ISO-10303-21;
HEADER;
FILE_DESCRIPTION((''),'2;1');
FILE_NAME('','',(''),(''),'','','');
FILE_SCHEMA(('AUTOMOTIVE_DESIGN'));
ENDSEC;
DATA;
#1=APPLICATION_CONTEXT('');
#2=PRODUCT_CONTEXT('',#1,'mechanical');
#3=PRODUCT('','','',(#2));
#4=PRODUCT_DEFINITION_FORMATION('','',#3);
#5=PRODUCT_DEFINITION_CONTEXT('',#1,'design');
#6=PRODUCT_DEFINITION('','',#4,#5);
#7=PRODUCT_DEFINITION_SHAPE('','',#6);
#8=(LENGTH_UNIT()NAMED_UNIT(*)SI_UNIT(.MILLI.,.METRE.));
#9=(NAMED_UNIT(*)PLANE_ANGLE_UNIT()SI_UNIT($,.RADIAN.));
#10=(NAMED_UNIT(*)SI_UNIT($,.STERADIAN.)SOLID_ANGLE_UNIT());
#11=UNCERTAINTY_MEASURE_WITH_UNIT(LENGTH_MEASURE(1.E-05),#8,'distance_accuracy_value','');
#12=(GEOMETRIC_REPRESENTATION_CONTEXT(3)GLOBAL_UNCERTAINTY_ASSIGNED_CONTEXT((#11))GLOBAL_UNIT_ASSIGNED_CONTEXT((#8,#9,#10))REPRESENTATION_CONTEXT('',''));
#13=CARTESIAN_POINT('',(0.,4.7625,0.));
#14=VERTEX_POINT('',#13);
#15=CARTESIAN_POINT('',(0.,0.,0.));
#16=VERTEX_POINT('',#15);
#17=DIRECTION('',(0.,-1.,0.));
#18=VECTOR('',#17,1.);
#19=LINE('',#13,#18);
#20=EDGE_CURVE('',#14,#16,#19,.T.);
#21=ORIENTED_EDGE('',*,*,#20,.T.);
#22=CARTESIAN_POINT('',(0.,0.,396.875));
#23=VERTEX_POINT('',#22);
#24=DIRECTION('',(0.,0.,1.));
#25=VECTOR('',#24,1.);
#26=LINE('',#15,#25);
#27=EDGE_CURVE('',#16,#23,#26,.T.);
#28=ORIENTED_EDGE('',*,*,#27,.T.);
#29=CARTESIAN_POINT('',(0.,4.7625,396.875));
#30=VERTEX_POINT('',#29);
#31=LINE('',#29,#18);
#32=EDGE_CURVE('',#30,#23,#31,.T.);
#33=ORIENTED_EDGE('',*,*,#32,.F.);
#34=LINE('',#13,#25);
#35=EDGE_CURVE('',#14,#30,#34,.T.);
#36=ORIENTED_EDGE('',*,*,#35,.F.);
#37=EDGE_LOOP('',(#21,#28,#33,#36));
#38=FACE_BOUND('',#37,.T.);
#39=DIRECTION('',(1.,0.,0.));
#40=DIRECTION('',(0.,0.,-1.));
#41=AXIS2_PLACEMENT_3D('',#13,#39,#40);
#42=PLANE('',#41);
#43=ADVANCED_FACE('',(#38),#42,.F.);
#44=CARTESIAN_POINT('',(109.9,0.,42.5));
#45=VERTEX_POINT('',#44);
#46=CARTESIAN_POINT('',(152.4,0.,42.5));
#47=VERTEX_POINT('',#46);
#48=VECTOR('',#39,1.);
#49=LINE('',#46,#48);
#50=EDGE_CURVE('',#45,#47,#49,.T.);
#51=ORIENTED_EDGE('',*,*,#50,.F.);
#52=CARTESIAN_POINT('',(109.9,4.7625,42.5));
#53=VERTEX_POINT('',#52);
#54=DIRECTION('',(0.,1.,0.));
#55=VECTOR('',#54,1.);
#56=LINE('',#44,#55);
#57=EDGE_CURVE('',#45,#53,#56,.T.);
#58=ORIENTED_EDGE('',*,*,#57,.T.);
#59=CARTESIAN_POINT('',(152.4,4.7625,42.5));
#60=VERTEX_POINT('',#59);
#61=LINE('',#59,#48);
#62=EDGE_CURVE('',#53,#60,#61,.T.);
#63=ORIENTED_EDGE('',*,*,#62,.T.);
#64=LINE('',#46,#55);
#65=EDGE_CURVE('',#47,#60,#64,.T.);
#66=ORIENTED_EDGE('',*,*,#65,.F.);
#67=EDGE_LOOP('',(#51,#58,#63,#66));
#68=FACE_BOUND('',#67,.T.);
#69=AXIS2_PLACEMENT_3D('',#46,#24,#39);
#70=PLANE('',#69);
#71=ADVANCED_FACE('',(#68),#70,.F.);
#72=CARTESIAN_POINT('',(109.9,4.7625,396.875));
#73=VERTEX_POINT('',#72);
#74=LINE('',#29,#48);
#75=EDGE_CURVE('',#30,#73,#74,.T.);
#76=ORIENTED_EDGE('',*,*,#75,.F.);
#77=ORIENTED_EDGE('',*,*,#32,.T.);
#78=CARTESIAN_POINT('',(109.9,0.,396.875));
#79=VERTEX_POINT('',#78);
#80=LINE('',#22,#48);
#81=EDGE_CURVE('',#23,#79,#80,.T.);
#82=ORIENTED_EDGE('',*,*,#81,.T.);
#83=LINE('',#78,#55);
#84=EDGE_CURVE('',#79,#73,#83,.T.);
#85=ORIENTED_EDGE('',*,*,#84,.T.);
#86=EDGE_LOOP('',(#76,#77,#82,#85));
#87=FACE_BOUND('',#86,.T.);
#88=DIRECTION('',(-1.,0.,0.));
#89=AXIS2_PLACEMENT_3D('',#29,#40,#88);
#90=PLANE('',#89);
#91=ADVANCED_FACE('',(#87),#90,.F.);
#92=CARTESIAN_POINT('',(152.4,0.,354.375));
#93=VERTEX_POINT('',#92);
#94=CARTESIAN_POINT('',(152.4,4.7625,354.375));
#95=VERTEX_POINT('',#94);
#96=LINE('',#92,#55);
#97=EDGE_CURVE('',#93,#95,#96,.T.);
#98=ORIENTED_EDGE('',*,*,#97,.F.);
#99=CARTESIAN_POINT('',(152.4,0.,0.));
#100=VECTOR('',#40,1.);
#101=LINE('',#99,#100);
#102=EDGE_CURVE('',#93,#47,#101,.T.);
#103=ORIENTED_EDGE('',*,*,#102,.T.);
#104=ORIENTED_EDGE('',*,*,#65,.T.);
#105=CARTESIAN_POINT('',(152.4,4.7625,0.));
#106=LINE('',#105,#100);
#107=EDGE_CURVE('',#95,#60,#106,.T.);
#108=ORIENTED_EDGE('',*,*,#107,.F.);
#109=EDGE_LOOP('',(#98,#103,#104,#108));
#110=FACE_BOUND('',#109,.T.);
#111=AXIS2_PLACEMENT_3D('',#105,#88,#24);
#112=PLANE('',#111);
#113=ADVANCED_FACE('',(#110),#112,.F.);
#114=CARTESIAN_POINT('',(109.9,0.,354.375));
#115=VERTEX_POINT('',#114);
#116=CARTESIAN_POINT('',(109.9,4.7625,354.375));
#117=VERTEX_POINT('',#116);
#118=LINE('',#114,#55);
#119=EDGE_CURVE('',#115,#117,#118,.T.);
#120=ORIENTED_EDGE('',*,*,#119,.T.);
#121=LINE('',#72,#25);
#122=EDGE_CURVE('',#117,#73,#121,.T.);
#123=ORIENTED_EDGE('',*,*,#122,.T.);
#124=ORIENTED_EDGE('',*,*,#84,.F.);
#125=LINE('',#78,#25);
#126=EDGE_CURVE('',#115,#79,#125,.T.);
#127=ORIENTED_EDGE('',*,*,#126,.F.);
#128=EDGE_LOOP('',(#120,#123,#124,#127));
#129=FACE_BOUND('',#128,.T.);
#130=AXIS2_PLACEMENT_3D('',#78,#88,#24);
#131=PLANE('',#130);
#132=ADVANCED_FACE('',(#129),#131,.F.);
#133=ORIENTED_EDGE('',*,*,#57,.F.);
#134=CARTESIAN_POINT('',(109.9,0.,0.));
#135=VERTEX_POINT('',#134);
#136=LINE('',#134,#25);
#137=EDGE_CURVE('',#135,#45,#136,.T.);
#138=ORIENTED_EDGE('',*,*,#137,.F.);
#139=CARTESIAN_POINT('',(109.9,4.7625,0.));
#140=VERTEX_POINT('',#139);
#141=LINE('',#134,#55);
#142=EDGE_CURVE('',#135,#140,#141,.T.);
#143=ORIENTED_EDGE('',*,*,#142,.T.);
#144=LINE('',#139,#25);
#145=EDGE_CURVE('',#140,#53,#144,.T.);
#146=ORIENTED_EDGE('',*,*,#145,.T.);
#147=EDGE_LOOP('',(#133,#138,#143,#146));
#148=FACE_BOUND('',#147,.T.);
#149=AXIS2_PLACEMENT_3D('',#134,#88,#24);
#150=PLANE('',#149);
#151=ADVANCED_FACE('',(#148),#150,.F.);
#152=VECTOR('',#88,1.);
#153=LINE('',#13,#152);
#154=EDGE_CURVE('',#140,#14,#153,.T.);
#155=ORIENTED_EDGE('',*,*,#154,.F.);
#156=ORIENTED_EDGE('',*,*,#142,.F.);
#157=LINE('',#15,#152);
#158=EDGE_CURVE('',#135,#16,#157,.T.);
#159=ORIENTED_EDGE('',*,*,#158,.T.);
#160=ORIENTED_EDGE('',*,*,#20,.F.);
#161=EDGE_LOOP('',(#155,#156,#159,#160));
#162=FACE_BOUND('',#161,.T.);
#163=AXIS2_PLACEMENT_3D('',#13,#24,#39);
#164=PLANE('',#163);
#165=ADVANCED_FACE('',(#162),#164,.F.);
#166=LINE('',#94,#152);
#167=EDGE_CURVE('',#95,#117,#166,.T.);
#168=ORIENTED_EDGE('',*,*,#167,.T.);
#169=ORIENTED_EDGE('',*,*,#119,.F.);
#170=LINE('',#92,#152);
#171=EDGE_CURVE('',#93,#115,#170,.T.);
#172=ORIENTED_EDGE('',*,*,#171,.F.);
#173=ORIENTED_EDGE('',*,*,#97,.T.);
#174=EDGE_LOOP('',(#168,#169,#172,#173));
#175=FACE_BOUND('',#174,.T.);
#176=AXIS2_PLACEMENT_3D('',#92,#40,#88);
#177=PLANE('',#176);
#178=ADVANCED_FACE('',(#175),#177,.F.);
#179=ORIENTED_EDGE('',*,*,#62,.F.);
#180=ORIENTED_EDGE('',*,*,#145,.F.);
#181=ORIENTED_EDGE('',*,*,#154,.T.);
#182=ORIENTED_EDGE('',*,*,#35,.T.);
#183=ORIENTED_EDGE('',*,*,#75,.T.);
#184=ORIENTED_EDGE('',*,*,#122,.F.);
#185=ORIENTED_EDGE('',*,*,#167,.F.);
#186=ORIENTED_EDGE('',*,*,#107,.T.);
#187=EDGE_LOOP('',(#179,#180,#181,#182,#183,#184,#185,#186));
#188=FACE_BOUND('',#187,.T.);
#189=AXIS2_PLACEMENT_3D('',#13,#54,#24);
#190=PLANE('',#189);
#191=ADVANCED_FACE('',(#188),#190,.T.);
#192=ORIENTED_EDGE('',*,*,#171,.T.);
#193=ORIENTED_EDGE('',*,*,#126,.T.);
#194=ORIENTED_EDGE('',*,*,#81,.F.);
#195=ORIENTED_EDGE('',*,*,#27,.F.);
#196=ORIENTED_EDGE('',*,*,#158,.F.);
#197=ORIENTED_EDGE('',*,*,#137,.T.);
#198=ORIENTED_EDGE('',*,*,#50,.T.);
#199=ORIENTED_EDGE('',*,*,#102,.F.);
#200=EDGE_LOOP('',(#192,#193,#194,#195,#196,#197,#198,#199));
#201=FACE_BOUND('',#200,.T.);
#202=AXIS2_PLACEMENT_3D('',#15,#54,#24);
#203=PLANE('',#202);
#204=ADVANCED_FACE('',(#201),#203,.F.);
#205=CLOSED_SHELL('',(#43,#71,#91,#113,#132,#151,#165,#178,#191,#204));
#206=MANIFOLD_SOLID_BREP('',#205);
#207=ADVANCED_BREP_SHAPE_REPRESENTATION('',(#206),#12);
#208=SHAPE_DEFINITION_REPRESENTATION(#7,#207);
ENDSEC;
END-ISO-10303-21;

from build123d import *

# Parameters (mm, degrees)
SKETCH1_W           = 152.4
SKETCH1_H           = 396.875
BOSS_EXTRUDE1_DEPTH = 4.7625
SKETCH4_W           = 42.5
SKETCH4_H           = 42.5
CUT_EXTRUDE1_DEPTH  = 5.7625


with BuildPart() as part:
    # Sketch1 → Boss-Extrude1 (new body)
    with BuildSketch(Plane(origin=(0, 0, 0), x_dir=(1, 0, 0), z_dir=(0, 1, 0))):
        with Locations((76.2, -198.4375)):
            Rectangle(SKETCH1_W, SKETCH1_H)
    extrude(amount=BOSS_EXTRUDE1_DEPTH)

    # Sketch4 → Cut-Extrude1 (cut, through all)
    with BuildSketch(Plane(origin=(0, 4.7625, 0), x_dir=(1, 0, 0), z_dir=(0, 1, 0))):
        with Locations((131.15, -21.25)):
            Rectangle(SKETCH4_W, SKETCH4_H)
        with Locations((131.15, -375.625)):
            Rectangle(SKETCH4_W, SKETCH4_H)
    extrude(amount=-CUT_EXTRUDE1_DEPTH, mode=Mode.SUBTRACT)


solid = part.part
